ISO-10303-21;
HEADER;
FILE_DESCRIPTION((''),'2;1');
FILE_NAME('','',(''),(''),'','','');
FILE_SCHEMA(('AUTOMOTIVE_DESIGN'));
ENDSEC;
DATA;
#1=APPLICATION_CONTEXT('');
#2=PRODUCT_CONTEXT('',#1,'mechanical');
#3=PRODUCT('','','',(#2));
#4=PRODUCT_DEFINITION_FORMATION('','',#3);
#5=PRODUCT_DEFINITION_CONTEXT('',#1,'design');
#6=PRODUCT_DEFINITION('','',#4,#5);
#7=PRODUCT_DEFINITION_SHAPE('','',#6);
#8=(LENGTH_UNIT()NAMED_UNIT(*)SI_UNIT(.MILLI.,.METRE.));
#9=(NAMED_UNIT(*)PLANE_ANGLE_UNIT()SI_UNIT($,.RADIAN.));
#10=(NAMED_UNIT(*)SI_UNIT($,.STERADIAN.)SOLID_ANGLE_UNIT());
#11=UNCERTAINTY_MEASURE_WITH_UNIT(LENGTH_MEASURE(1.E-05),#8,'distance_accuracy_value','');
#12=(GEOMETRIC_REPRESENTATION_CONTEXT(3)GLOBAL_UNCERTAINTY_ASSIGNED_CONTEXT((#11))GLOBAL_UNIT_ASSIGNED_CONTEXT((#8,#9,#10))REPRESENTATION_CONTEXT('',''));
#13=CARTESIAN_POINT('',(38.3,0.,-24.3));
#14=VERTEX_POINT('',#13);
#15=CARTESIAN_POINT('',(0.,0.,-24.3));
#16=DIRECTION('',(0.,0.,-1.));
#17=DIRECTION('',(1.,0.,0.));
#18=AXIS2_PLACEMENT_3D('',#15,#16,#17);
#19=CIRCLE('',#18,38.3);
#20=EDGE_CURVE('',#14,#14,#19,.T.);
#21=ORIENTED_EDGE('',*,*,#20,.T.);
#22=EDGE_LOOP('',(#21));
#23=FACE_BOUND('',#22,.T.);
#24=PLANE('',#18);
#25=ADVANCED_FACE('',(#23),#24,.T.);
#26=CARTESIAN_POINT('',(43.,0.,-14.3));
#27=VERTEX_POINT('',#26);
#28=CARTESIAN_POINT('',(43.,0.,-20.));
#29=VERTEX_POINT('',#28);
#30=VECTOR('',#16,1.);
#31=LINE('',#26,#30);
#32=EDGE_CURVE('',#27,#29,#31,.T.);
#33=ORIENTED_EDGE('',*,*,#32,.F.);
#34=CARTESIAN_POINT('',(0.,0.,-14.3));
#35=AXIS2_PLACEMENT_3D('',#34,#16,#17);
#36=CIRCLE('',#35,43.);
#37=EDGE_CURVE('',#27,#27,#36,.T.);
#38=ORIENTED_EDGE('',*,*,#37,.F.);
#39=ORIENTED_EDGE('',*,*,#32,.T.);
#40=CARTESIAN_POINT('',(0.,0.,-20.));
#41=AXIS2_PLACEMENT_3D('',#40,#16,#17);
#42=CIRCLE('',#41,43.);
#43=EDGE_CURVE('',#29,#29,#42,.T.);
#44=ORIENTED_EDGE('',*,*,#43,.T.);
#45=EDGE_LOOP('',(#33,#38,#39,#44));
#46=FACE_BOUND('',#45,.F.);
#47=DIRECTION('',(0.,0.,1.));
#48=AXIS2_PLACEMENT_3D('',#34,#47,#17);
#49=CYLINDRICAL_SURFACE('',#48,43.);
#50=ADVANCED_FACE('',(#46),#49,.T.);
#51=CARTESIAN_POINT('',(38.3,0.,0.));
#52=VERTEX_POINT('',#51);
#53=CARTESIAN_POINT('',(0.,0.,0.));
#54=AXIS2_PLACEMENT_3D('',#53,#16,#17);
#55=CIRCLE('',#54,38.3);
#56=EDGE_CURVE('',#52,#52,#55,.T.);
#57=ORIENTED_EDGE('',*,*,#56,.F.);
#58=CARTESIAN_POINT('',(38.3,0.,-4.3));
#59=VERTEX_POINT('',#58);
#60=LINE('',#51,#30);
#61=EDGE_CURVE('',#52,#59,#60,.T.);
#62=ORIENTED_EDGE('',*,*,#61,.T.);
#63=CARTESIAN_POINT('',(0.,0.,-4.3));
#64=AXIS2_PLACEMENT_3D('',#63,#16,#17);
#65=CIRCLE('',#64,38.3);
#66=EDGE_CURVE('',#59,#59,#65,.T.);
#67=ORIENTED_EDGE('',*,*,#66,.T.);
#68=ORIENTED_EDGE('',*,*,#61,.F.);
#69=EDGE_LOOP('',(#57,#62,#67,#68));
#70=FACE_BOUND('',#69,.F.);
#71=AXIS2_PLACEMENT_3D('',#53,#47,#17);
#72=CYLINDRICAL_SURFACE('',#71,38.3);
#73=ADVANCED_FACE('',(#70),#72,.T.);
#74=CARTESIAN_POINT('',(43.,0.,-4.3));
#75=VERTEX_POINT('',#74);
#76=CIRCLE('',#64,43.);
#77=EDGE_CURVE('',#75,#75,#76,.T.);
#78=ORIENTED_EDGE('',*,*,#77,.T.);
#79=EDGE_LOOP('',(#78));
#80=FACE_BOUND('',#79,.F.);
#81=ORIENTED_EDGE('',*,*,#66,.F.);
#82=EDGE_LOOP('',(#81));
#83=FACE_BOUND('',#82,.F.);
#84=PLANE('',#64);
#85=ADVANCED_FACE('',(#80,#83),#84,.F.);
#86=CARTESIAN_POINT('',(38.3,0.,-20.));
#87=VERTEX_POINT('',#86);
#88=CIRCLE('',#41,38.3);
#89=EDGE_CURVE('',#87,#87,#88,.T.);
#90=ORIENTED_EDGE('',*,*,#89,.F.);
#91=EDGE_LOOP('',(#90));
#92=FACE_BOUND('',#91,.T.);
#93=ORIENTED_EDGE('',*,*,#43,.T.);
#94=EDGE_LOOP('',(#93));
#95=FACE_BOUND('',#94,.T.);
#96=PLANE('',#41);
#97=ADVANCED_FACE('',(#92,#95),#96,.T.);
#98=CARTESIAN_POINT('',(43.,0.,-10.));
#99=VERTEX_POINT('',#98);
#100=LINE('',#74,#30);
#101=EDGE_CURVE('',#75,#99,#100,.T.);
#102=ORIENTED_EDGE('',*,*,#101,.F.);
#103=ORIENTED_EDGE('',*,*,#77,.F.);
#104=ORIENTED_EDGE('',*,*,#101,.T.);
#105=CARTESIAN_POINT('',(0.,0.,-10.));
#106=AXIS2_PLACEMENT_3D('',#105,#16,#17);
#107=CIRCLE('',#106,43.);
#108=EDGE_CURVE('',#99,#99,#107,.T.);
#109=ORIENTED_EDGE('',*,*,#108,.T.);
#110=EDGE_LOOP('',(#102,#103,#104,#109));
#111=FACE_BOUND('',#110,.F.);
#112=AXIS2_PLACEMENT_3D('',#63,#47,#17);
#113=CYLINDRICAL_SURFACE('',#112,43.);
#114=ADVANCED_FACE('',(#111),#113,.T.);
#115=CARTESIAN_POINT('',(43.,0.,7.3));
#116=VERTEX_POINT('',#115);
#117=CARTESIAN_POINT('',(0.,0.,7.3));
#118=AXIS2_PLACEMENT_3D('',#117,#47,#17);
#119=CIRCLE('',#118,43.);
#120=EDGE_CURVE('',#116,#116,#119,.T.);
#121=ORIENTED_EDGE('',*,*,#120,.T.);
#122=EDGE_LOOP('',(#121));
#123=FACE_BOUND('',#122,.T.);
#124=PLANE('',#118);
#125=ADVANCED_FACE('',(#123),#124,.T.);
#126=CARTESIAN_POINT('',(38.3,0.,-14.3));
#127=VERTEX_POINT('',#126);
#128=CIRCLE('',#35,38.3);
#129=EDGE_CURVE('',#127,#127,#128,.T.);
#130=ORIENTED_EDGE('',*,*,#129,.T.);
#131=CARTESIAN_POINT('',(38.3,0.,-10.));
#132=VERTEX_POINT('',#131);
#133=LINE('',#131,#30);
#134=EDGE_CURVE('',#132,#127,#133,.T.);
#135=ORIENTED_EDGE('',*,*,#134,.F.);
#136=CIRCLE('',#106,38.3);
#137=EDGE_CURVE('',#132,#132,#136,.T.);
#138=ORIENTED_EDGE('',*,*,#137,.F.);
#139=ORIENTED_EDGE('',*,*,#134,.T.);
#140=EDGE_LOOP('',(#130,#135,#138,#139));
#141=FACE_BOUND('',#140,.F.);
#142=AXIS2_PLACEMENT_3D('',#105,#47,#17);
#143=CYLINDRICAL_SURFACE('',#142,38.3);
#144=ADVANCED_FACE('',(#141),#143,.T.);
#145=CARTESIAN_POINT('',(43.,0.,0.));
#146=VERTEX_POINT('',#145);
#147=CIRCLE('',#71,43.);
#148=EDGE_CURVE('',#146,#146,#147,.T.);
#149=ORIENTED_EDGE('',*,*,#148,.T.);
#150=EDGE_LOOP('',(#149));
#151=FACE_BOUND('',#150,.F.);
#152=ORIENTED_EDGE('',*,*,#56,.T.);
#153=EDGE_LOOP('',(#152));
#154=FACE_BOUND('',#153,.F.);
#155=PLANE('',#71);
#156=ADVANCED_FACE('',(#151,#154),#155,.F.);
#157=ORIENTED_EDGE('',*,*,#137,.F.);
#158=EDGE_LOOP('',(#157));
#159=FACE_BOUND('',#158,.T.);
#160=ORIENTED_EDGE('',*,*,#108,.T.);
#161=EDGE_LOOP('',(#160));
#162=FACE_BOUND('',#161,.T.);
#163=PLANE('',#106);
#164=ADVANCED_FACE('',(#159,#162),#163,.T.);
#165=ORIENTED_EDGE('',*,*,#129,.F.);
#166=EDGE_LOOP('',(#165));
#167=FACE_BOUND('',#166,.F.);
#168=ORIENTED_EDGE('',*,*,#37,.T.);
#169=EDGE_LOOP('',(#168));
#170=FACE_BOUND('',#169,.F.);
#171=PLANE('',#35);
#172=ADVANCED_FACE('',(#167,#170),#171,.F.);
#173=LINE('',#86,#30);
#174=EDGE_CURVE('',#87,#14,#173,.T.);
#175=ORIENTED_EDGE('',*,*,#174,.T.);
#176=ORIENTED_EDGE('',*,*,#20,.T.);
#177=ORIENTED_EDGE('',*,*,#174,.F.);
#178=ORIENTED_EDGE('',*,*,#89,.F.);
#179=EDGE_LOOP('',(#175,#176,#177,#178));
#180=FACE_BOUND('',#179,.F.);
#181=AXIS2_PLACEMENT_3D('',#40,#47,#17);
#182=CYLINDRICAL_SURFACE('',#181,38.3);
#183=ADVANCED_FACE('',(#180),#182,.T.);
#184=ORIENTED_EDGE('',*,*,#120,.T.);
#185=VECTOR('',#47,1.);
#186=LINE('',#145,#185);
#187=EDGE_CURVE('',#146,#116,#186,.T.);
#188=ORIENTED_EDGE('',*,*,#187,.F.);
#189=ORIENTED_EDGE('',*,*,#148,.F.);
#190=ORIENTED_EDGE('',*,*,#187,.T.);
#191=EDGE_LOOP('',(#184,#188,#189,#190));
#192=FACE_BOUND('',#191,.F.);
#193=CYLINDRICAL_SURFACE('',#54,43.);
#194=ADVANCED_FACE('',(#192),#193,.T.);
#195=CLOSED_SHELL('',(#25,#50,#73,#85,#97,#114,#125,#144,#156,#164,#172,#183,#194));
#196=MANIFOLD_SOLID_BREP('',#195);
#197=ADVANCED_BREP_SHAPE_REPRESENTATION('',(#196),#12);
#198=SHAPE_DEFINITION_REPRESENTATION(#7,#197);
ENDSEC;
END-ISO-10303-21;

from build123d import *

# Parameters (mm, degrees)
F0_R      = 43
F1_DEPTH  = 7.3
F2_R      = 38.3
F3_DEPTH  = 4.3
F4_R      = 43
F5_DEPTH  = 5.7
F6_R      = 38.3
F7_DEPTH  = 4.3
F8_R      = 43
F9_DEPTH  = 5.7
F10_R     = 38.3
F11_DEPTH = 4.3


with BuildPart() as f1:
    # F0 (on Top) → F1 (new body)
    with BuildSketch(Plane.XY):
        Circle(F0_R)
    extrude(amount=F1_DEPTH)

    # F2 (on face) → F3 (join)
    with BuildSketch(Plane(origin=(0, 0, 0), x_dir=(1, 0, 0), z_dir=(0, 0, -1))):
        Circle(F2_R)
    extrude(amount=F3_DEPTH)

    # F4 (on face) → F5 (join)
    with BuildSketch(Plane(origin=(0, 0, -4.3), x_dir=(1, 0, 0), z_dir=(0, 0, -1))):
        Circle(F4_R)
    extrude(amount=F5_DEPTH)

    # F6 (on face) → F7 (join)
    with BuildSketch(Plane(origin=(0, 0, -10), x_dir=(1, 0, 0), z_dir=(0, 0, -1))):
        Circle(F6_R)
    extrude(amount=F7_DEPTH)

    # F8 (on face) → F9 (join)
    with BuildSketch(Plane(origin=(0, 0, -14.3), x_dir=(1, 0, 0), z_dir=(0, 0, -1))):
        Circle(F8_R)
    extrude(amount=F9_DEPTH)

    # F10 (on face) → F11 (join)
    with BuildSketch(Plane(origin=(0, 0, -20), x_dir=(1, 0, 0), z_dir=(0, 0, -1))):
        Circle(F10_R)
    extrude(amount=F11_DEPTH)


solid = f1.part
